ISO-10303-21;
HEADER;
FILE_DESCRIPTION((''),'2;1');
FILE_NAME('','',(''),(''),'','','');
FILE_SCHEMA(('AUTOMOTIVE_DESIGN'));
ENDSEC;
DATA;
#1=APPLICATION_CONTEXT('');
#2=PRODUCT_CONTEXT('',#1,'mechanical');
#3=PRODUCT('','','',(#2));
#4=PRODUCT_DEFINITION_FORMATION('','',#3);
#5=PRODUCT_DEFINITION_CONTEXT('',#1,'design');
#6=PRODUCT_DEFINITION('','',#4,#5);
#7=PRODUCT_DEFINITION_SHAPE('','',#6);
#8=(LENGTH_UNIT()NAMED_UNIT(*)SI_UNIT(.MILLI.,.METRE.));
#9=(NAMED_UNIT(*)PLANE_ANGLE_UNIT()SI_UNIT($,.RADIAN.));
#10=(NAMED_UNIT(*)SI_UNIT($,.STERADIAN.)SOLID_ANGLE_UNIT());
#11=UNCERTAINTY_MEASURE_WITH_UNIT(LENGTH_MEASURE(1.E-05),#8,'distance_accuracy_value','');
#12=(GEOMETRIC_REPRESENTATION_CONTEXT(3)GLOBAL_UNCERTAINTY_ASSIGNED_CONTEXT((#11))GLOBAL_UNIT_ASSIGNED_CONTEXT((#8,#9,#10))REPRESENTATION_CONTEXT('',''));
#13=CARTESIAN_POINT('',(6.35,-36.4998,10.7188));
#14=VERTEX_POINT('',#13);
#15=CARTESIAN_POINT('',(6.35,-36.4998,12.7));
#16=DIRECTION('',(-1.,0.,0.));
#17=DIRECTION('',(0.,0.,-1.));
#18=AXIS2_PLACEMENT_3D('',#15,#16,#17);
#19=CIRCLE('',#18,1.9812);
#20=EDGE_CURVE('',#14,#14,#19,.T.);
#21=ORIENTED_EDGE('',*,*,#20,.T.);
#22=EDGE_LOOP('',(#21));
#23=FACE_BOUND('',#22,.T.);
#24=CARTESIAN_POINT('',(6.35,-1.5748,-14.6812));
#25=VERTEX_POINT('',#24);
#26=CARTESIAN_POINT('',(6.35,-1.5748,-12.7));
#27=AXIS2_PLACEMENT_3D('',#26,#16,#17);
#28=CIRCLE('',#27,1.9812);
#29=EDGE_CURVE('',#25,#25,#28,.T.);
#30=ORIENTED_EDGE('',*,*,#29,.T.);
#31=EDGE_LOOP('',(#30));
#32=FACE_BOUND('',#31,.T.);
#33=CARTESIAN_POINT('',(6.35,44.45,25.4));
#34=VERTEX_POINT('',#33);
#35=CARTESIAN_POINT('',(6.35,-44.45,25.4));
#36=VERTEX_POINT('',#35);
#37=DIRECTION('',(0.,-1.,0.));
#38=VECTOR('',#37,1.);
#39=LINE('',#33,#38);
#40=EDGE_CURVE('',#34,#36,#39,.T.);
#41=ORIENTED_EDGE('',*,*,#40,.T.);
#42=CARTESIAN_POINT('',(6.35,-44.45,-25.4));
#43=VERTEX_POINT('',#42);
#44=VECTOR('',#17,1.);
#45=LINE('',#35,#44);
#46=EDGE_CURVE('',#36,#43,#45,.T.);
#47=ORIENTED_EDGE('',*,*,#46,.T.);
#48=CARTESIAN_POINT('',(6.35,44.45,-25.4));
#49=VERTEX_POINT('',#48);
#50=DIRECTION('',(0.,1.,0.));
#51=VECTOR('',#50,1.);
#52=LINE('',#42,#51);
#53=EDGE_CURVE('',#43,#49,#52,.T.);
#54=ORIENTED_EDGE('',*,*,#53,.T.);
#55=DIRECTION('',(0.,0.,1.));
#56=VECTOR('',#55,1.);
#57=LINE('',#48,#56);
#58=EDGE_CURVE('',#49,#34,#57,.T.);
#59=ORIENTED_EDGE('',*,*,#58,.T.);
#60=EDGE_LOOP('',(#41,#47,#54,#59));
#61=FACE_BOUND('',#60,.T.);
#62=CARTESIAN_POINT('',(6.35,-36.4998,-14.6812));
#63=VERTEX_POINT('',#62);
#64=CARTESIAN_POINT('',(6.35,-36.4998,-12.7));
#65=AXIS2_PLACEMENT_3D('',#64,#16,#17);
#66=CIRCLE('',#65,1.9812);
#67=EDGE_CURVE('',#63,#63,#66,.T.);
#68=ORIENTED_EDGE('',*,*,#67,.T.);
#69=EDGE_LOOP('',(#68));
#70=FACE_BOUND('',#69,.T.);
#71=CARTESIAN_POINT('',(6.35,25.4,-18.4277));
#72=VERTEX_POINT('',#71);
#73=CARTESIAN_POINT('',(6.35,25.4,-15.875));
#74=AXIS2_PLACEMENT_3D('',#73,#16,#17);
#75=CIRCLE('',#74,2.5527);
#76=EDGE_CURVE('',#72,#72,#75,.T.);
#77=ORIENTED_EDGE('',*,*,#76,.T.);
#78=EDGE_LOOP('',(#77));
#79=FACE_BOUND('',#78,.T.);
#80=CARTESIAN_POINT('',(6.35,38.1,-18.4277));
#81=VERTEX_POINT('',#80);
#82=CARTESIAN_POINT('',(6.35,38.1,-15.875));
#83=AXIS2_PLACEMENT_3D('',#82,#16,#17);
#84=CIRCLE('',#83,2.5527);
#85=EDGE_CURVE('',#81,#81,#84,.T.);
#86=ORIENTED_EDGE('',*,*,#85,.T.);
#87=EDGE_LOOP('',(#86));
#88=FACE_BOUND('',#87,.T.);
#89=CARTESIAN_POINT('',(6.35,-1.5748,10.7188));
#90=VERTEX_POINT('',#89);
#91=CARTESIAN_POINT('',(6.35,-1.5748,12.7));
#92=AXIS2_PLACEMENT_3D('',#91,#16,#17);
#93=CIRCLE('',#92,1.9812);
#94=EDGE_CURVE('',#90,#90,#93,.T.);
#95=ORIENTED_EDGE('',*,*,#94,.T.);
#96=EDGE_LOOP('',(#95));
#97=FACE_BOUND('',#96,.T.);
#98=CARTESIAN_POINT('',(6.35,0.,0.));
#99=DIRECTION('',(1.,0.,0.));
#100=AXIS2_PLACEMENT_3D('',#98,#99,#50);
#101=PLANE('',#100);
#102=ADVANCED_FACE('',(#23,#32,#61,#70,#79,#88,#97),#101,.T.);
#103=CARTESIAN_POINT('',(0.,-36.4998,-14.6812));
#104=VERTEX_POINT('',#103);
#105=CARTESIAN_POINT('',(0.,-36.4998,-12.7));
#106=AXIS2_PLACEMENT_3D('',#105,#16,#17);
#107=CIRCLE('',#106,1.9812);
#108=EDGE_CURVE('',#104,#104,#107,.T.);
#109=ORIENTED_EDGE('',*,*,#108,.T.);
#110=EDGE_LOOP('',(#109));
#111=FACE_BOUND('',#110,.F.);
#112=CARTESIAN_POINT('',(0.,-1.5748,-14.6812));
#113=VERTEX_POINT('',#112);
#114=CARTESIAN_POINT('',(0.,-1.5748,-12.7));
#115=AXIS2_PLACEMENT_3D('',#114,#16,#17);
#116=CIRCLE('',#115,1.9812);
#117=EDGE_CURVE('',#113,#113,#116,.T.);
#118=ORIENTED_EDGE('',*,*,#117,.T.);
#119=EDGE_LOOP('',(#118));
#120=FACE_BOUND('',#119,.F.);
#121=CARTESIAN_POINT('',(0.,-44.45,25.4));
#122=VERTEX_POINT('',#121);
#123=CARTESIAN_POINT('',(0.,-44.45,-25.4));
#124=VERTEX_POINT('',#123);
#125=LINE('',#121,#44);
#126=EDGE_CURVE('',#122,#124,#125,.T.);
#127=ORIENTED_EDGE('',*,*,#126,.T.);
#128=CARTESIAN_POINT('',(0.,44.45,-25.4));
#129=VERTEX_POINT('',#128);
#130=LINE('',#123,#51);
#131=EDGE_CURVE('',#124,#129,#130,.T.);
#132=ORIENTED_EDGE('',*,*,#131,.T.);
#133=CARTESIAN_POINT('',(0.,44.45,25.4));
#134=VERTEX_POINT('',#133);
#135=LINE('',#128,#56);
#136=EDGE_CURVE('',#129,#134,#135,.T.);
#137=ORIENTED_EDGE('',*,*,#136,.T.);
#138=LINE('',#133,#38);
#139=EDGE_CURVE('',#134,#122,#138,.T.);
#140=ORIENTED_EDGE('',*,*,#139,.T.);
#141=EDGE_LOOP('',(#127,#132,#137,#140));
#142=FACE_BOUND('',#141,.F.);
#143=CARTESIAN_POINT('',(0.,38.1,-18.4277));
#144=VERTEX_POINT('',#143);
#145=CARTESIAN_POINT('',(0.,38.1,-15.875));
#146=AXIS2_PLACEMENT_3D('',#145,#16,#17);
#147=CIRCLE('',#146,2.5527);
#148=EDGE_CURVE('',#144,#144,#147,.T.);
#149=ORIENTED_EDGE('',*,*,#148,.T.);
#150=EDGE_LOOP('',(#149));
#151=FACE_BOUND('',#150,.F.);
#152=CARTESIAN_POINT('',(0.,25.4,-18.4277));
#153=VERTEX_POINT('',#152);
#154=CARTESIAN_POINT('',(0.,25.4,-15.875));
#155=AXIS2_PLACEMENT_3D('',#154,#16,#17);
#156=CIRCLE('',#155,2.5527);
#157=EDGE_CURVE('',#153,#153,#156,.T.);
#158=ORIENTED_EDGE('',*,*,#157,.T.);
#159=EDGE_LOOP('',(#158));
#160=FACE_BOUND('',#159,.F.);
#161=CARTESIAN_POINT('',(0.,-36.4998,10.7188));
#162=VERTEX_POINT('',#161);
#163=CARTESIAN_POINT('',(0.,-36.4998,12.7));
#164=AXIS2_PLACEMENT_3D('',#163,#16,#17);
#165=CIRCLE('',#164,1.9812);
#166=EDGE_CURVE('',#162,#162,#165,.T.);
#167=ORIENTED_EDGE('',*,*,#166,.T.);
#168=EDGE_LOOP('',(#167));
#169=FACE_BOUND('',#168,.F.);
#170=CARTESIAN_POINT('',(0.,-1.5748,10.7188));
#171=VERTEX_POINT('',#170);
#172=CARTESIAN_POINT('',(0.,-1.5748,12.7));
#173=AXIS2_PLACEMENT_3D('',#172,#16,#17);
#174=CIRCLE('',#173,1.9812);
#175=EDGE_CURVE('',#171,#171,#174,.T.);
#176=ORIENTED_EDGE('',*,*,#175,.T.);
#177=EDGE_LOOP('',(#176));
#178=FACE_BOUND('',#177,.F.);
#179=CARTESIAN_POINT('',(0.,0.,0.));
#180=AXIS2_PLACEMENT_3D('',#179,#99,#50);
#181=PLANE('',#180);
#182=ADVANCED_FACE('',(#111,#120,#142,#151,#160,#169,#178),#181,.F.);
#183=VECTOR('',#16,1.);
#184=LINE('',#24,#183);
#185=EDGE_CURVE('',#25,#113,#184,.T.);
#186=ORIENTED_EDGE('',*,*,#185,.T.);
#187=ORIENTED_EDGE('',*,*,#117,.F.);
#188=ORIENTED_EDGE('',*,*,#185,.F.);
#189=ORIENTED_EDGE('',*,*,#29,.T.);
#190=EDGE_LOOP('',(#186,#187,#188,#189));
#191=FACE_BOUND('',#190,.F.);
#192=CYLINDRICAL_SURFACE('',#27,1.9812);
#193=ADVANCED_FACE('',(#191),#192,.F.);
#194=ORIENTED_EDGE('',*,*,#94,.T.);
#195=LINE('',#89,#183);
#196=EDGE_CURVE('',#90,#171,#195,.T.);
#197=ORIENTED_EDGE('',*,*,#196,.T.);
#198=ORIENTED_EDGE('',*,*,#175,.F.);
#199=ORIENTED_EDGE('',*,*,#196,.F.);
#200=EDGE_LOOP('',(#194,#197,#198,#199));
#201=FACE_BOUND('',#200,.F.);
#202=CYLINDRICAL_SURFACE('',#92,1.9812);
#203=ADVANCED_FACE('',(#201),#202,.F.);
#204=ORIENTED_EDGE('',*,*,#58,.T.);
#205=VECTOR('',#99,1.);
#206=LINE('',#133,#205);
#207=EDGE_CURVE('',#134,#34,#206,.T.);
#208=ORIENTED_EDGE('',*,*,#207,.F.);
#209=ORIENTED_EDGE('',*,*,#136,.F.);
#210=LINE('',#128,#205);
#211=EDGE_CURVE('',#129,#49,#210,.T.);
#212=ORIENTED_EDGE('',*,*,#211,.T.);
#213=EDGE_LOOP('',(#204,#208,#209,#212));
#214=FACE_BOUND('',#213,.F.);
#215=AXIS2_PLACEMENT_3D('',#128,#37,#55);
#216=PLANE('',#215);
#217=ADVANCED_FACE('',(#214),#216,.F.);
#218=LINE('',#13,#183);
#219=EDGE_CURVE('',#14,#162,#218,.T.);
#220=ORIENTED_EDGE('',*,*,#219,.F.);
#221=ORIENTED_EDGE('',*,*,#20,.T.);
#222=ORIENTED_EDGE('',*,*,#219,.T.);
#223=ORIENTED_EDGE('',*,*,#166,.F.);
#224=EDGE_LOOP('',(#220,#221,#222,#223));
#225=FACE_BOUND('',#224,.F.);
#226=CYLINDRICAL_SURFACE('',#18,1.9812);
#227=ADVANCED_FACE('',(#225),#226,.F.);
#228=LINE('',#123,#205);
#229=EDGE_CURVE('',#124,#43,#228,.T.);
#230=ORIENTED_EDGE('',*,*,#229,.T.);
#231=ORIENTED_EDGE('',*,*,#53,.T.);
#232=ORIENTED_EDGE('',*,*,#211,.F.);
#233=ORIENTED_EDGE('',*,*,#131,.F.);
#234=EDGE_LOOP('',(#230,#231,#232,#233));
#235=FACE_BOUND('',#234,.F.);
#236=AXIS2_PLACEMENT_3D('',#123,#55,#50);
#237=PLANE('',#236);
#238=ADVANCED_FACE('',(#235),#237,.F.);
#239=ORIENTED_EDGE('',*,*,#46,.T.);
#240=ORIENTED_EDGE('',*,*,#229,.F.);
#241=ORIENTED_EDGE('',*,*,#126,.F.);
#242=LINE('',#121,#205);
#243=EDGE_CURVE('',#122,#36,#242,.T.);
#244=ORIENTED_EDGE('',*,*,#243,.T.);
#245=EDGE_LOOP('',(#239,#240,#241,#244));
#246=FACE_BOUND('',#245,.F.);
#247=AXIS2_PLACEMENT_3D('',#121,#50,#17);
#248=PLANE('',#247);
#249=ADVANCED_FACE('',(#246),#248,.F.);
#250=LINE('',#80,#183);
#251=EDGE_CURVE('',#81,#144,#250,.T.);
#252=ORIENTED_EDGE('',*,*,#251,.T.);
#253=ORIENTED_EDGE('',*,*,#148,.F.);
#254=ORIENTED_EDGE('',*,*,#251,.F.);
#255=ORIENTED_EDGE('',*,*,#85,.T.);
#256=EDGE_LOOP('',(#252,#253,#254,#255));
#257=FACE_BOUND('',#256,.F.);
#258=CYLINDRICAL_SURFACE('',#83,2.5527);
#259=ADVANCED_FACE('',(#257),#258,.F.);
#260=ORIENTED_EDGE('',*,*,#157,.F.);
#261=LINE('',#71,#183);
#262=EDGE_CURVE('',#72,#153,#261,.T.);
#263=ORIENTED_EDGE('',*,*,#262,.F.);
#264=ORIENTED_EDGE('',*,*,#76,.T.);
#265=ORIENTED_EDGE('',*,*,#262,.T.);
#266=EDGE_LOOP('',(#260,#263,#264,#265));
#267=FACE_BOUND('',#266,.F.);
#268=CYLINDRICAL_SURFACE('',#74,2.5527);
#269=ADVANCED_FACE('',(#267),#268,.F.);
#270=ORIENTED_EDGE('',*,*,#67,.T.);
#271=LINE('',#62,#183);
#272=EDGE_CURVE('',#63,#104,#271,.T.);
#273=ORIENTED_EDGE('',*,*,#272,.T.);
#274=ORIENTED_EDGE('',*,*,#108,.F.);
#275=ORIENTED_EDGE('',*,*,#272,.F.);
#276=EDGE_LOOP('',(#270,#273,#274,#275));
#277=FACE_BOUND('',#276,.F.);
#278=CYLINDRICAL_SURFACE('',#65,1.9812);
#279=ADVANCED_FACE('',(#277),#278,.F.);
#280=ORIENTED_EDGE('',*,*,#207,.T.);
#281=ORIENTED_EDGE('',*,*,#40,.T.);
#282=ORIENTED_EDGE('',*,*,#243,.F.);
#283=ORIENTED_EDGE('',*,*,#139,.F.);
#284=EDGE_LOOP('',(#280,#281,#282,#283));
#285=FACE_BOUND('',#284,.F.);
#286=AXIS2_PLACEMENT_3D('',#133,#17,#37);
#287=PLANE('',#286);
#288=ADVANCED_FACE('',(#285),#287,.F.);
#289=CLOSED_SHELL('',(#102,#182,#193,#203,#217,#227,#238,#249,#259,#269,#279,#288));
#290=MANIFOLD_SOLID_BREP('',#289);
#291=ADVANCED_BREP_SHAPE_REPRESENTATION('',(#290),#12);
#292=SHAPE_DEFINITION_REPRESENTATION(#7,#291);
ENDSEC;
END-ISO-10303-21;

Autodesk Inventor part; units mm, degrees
ref_plane "YZ Plane" through (0, 0, 0) normal (1, 0, 0) x (0, 1, 0)
ref_plane "XZ Plane" through (0, 0, 0) normal (0, 1, 0) x (-1, 0, 0)
ref_plane "XY Plane" through (0, 0, 0) normal (0, 0, 1) x (1, 0, 0)
sketch "Sketch1" plane through (0, 0, 0) normal (1, 0, 0) x (0, 1, 0)
  line L0 (-44.45, -25.4) -> (44.45, -25.4)
  line L1 (44.45, -25.4) -> (44.45, 25.4)
  line L2 (44.45, 25.4) -> (-44.45, 25.4)
  line L3 (-44.45, 25.4) -> (-44.45, -25.4)
  line L4 (-44.45, -25.4) -> (44.45, 25.4) construction
  line L5 (44.45, -25.4) -> (-44.45, 25.4) construction
  point P0 (0, 0)
  dimension "d0" = 88.9
  dimension "d1" = 50.8
extrude "Extrusion1" add sketch "Sketch1" along normal blind 6.35
sketch "Sketch2" plane through (6.35, 0, 0) normal (1, 0, 0) x (0, 0, -1)
  line L0 (12.7, -36.4998) -> (-12.7, -36.4998) construction
  line L1 (-12.7, -36.4998) -> (-12.7, -1.5748) construction
  line L2 (-12.7, -1.5748) -> (12.7, -1.5748) construction
  line L3 (12.7, -1.5748) -> (12.7, -36.4998) construction
  line L4 (12.7, -36.4998) -> (-12.7, -1.5748) construction
  line L5 (-12.7, -36.4998) -> (12.7, -1.5748) construction
  line L6 (-25.4, -44.45) -> (25.4, -44.45) construction
  line L7 (25.4, 44.45) -> (-25.4, 44.45) construction
  line L8 (25.4, -44.45) -> (25.4, 44.45) construction
  point P0 (0, 0)
  point P1 (0, -19.0373)
  point P2 (15.875, 38.1)
  point P3 (15.875, 25.4)
  point P4 (0, 44.45)
  point P5 (0, 44.45)
  dimension "d4" = 25.4
  dimension "d5" = 34.925
  dimension "d6" = 7.9502
  dimension "d7" = 12.7
  dimension "d23" = 6.35
  dimension "d24" = 9.525
hole "Hole1" at (6.35, -36.4998, 12.7) at (6.35, -36.4998, -12.7) at (6.35, -1.5748, -12.7) at (6.35, -1.5748, 12.7) direction (-1, 0, 0) diameter 3.9624 end through all thread size "10-32 UNF" class "2B" standard "ANSI Unified Screw Threads"
hole "Hole2" at (6.35, 38.1, -15.875) at (6.35, 25.4, -15.875) direction (-1, 0, 0) diameter 5.1054 end through all clearance for "Flat Head Machine Screw (82)" size "#10" standard "Ansi Unified Screw Threads"
properties part number "EL2-027" material "Aluminum 6061"
